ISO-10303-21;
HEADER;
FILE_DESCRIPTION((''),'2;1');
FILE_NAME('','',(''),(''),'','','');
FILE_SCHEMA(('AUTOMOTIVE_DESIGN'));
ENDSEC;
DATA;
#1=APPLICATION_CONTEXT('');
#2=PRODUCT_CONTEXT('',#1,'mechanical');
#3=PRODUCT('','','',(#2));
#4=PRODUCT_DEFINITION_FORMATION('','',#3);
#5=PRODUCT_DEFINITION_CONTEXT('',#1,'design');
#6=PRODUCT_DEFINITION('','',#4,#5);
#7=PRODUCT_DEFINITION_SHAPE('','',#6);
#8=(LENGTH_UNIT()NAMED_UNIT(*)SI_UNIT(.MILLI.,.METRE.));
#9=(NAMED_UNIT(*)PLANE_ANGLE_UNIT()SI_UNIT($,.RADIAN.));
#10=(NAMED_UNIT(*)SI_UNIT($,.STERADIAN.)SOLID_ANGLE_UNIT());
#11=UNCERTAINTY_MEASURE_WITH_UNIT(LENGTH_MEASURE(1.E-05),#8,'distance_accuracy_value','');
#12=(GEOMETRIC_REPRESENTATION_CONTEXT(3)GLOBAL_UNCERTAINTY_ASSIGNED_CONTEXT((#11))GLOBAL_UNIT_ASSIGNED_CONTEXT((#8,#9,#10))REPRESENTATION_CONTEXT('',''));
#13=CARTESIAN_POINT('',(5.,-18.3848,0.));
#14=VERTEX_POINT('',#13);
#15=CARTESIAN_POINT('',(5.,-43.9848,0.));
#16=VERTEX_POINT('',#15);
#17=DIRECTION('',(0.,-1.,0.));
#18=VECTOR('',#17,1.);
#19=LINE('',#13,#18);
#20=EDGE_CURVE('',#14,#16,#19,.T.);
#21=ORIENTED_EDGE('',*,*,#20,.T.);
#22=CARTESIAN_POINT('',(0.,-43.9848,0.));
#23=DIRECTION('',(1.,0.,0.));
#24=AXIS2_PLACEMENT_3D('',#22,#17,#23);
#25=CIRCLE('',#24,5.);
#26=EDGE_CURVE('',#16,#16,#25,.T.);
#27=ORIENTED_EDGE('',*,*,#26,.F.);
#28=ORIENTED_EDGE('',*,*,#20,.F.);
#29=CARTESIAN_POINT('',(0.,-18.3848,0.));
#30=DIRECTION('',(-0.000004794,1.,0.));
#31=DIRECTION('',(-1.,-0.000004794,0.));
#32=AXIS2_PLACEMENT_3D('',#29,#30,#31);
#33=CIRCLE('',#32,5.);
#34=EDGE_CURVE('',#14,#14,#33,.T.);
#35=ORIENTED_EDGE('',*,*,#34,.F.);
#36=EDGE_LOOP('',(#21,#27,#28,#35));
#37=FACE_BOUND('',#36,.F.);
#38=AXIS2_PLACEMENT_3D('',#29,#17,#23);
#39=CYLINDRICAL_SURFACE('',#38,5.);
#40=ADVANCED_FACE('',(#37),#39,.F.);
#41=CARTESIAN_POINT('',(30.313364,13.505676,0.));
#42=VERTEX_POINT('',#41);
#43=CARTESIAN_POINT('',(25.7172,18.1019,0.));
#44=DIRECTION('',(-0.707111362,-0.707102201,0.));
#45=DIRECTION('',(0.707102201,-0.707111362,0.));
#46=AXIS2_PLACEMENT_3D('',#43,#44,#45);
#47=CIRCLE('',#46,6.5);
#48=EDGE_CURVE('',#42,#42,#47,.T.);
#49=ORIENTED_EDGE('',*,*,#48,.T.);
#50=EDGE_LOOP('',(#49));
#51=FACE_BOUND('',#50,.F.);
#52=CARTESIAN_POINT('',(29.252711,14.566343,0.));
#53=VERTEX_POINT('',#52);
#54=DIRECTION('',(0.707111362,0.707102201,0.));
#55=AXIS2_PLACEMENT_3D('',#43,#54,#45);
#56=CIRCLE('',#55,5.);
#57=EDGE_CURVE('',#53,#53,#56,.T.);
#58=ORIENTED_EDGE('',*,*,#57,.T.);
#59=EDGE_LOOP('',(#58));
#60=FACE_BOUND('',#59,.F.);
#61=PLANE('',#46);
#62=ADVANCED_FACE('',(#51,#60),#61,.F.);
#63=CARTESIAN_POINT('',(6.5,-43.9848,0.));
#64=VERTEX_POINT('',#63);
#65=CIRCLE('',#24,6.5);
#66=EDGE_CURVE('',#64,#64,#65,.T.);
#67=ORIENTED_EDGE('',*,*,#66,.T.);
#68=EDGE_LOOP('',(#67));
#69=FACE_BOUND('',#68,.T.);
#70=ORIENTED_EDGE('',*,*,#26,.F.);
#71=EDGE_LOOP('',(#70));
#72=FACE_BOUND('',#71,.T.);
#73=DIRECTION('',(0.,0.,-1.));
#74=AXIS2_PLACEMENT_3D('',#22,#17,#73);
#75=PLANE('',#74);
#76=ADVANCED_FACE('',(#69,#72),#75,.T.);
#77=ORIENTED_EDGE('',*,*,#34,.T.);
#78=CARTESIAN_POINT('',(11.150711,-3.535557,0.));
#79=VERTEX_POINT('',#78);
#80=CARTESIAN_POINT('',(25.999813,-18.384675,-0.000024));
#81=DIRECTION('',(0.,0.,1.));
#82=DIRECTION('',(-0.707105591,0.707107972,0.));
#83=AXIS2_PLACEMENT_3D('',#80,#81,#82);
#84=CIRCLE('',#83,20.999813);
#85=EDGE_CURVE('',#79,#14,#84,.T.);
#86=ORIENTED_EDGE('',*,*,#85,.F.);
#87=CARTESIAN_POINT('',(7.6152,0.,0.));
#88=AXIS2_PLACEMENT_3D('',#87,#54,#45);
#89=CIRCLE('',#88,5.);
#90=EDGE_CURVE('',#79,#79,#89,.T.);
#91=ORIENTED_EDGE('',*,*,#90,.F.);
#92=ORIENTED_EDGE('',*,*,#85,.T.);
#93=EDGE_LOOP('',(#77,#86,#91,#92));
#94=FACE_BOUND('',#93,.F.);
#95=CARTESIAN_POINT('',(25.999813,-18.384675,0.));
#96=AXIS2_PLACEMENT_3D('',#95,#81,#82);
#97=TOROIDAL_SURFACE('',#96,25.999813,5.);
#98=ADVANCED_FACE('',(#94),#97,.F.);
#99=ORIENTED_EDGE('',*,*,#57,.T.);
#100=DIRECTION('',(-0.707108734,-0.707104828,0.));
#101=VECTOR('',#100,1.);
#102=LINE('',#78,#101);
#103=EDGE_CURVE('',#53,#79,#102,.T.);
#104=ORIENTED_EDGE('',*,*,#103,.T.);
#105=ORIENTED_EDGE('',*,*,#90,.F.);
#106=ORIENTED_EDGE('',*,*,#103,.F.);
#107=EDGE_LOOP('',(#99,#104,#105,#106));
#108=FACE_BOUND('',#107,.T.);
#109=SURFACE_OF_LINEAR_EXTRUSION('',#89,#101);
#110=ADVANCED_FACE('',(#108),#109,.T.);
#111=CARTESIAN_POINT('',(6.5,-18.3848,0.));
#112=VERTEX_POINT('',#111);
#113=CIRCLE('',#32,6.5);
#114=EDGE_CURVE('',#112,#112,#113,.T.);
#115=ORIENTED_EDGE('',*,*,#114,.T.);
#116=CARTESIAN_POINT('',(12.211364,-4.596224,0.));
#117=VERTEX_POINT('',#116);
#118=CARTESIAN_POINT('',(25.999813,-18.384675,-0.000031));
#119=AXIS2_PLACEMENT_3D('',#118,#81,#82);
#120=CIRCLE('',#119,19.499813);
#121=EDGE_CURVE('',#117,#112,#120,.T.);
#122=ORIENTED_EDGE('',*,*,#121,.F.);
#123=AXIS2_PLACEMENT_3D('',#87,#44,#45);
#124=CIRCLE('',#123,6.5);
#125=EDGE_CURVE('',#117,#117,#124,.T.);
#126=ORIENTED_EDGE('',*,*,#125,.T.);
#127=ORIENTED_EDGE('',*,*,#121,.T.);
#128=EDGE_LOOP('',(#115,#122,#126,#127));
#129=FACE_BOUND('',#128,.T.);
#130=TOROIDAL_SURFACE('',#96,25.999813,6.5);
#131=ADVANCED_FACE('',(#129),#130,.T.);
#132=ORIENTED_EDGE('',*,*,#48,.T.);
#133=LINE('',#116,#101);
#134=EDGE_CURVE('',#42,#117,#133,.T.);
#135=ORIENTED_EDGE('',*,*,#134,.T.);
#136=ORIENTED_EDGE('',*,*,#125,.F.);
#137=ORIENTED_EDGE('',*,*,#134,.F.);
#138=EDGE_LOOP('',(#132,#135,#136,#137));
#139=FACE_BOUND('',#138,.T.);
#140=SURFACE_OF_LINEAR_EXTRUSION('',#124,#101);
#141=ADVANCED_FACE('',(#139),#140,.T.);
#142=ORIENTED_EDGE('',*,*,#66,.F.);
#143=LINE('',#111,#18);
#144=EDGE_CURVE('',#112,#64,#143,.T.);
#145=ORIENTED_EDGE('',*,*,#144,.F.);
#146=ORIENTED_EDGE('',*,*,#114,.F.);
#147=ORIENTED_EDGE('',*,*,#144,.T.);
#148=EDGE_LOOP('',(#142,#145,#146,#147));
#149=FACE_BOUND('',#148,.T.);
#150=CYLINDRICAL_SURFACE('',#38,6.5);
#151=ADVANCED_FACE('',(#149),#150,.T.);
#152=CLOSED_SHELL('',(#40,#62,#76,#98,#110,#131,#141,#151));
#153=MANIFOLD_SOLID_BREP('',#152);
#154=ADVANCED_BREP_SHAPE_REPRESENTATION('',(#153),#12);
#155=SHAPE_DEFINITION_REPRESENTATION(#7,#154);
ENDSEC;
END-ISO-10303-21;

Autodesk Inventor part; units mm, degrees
ref_plane "YZ Plane" through (0, 0, 0) normal (1, 0, 0) x (0, 1, 0)
ref_plane "XZ Plane" through (0, 0, 0) normal (0, 1, 0) x (-1, 0, 0)
sketch "Szkic6" plane through (0, 0, 0) normal (0, 0, 1) x (1, 0, 0)
  line L0 (-29.6067, 0) -> (35.2678, 0) construction
  line L1 (0, 42.3419) -> (0, -58.3726) construction
  arc A0 (7.6152, 0) -> (0, -18.3848) centre (26, -18.3848) ccw
  line L2 (0, -18.3848) -> (26, -18.3848) construction
  line L3 (26, -18.3848) -> (-20.3389, 27.9541) construction
  line L4 (7.6152, 0) -> (25.7172, 18.1019)
  line L5 (0, -18.3848) -> (0, -43.9848)
  point P0 (0, 0)
  dimension "d24" = 40
  dimension "d31" = 90
  dimension "d36" = 0
  dimension "d37" = 0
ref_plane "Płaszczyzna konstrukcyjna2" through (0, -18.3848, 0) normal (0, -1, 0) x (1, 0, 0)
sketch "Szkic8" plane through (0, -18.3848, 0) normal (0, -1, 0) x (1, 0, 0)
  circle A0 centre (0, 0) radius 6.5
  circle A1 centre (0, 0) radius 5
  dimension "d32" = 22
  dimension "d33" = 1.5
sweep "Przeciągnięcie2" add profiles "Szkic8" path "Szkic6"
equation "\"d32\" = OD"
equation "\"d33\" = THK"
equation "\"d24\" = R"
equation "\"d31\" = KAT"
equation "\"SzerokośćGięciaPodcięcia\" = Grubość"
equation "\"RozmiarPodcięciaNarożnika\" = 4 * Grubość"
equation "\"PromieńPrzejścia\" = PromieńGięcia"
equation "\"Rozmiar_promienia_Jacobiego\" = PromieńGięcia"
equation "\"Wielk_odstępu\" = Grubość"
equation "\"d2\" = PromieńGięcia"
equation "\"d23\" = PromieńGięcia"
equation "\"OD\" = 22"
equation "\"THK\" = 1.5"
equation "\"KAT\" = 90deg"
equation "\"PROSTKA\" = 0"
equation "\"R\" = 40"
equation "\"Grubość\" = 1.5"
equation "\"PromieńGięcia\" = 3"
properties part number "Kolano 90° ø22x1,5 R40" material "304L"
